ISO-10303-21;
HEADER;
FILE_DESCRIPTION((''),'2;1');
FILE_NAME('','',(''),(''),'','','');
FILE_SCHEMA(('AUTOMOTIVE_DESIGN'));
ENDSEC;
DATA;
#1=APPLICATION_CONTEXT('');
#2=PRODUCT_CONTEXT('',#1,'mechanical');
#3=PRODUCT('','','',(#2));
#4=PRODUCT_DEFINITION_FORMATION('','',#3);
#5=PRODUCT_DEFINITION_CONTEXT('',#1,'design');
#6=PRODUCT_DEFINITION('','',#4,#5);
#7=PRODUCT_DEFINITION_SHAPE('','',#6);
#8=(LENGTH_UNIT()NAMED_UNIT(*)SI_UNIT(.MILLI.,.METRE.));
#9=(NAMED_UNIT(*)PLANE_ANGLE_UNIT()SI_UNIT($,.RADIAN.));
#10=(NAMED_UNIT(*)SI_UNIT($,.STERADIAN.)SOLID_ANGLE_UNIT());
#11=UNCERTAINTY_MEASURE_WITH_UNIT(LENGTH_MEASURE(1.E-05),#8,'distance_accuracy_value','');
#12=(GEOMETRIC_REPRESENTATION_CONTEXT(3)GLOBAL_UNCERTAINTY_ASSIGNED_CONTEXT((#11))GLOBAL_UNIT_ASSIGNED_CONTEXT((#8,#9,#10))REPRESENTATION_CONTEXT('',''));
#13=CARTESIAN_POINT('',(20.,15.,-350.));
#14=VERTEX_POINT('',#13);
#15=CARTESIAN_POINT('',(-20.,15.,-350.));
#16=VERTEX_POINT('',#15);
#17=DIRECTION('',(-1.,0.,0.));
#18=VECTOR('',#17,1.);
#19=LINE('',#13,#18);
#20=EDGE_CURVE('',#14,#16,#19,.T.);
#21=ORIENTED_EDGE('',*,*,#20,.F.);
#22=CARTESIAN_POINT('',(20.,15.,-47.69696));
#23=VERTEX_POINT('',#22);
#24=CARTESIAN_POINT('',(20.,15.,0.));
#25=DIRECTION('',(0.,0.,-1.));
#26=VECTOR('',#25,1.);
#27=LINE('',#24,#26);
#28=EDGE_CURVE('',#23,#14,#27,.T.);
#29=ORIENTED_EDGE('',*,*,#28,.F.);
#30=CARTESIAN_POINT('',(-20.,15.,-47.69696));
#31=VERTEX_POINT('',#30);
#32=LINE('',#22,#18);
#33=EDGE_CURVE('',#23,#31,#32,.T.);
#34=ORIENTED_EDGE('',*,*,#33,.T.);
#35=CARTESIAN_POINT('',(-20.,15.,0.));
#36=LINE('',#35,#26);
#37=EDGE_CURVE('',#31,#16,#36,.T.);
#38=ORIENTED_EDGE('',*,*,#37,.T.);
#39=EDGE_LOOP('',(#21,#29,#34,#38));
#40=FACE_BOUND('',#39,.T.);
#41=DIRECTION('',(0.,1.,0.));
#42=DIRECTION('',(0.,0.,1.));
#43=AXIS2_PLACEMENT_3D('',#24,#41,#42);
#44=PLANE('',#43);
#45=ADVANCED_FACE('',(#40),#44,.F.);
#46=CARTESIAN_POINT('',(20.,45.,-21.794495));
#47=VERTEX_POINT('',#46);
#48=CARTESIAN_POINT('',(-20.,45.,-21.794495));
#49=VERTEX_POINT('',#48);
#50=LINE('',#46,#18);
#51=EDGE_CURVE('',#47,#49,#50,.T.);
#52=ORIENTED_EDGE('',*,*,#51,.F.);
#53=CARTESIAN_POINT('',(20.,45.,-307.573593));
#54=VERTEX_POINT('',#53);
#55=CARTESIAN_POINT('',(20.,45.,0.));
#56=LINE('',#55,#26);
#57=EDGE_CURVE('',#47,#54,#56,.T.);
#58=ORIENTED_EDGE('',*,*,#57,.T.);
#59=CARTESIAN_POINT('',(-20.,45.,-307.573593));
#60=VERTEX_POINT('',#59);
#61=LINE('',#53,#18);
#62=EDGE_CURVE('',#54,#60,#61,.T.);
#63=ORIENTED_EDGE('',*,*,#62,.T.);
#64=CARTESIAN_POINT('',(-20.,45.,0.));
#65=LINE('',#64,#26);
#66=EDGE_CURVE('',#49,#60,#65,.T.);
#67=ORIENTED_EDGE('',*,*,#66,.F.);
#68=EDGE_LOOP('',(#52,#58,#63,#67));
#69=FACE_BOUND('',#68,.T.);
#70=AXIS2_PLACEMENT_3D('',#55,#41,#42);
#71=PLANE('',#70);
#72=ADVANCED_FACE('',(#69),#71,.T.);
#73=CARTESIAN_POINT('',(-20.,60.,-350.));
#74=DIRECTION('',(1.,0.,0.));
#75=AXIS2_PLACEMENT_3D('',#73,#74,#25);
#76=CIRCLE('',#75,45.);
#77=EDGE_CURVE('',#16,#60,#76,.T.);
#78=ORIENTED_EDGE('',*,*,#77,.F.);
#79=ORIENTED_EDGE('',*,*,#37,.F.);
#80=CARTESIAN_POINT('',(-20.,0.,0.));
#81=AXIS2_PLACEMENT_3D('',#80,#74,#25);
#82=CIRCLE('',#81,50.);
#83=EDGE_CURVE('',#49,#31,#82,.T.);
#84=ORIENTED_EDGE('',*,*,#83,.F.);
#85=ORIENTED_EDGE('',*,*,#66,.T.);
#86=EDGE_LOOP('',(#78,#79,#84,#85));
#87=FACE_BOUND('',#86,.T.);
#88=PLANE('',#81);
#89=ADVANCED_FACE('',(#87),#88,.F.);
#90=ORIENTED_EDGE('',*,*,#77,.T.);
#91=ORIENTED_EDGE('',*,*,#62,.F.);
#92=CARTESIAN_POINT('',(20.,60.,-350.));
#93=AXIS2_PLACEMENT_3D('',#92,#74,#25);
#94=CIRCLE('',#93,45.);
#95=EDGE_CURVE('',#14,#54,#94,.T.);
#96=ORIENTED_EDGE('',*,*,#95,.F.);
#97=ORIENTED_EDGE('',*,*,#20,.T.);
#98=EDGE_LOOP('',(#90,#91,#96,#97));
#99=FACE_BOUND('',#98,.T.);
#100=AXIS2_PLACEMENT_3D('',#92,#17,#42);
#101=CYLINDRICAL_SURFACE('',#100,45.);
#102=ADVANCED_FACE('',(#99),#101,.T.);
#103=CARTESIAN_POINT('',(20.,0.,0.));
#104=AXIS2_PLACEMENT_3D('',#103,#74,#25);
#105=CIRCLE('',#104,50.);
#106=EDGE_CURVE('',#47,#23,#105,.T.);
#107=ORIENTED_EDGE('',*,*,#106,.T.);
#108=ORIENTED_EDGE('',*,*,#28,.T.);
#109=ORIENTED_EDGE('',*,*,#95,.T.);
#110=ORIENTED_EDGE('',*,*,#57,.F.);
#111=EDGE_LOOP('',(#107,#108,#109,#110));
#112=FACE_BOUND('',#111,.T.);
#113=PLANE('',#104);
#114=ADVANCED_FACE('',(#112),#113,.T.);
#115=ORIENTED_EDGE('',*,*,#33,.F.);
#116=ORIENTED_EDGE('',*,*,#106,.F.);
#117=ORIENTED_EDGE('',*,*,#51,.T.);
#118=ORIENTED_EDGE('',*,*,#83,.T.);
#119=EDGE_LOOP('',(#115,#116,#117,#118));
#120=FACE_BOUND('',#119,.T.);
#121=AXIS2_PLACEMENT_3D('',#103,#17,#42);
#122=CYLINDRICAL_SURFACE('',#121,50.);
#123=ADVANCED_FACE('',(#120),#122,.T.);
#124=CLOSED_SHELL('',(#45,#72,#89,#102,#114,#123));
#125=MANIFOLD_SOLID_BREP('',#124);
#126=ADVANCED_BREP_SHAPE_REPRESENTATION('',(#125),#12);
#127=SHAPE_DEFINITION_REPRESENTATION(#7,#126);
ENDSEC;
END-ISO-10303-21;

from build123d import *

# Parameters (mm, degrees)
SKETCH1_R           = 50
SKETCH1_R_2         = 45
SKETCH1_W           = 350
SKETCH1_H           = 30
BOSS_EXTRUDE1_DEPTH = 20


with BuildPart() as part:
    # Sketch1 → Boss-Extrude1 (new, symmetric)
    with BuildSketch(Plane(origin=(0, 0, 0), x_dir=(0, 0, -1), z_dir=(1, 0, 0))):
        Circle(SKETCH1_R)
        with Locations((350, 60)):
            Circle(SKETCH1_R_2)
        with Locations((175, 30)):
            Rectangle(SKETCH1_W, SKETCH1_H)
    extrude(amount=BOSS_EXTRUDE1_DEPTH, both=True)


solid = part.part
